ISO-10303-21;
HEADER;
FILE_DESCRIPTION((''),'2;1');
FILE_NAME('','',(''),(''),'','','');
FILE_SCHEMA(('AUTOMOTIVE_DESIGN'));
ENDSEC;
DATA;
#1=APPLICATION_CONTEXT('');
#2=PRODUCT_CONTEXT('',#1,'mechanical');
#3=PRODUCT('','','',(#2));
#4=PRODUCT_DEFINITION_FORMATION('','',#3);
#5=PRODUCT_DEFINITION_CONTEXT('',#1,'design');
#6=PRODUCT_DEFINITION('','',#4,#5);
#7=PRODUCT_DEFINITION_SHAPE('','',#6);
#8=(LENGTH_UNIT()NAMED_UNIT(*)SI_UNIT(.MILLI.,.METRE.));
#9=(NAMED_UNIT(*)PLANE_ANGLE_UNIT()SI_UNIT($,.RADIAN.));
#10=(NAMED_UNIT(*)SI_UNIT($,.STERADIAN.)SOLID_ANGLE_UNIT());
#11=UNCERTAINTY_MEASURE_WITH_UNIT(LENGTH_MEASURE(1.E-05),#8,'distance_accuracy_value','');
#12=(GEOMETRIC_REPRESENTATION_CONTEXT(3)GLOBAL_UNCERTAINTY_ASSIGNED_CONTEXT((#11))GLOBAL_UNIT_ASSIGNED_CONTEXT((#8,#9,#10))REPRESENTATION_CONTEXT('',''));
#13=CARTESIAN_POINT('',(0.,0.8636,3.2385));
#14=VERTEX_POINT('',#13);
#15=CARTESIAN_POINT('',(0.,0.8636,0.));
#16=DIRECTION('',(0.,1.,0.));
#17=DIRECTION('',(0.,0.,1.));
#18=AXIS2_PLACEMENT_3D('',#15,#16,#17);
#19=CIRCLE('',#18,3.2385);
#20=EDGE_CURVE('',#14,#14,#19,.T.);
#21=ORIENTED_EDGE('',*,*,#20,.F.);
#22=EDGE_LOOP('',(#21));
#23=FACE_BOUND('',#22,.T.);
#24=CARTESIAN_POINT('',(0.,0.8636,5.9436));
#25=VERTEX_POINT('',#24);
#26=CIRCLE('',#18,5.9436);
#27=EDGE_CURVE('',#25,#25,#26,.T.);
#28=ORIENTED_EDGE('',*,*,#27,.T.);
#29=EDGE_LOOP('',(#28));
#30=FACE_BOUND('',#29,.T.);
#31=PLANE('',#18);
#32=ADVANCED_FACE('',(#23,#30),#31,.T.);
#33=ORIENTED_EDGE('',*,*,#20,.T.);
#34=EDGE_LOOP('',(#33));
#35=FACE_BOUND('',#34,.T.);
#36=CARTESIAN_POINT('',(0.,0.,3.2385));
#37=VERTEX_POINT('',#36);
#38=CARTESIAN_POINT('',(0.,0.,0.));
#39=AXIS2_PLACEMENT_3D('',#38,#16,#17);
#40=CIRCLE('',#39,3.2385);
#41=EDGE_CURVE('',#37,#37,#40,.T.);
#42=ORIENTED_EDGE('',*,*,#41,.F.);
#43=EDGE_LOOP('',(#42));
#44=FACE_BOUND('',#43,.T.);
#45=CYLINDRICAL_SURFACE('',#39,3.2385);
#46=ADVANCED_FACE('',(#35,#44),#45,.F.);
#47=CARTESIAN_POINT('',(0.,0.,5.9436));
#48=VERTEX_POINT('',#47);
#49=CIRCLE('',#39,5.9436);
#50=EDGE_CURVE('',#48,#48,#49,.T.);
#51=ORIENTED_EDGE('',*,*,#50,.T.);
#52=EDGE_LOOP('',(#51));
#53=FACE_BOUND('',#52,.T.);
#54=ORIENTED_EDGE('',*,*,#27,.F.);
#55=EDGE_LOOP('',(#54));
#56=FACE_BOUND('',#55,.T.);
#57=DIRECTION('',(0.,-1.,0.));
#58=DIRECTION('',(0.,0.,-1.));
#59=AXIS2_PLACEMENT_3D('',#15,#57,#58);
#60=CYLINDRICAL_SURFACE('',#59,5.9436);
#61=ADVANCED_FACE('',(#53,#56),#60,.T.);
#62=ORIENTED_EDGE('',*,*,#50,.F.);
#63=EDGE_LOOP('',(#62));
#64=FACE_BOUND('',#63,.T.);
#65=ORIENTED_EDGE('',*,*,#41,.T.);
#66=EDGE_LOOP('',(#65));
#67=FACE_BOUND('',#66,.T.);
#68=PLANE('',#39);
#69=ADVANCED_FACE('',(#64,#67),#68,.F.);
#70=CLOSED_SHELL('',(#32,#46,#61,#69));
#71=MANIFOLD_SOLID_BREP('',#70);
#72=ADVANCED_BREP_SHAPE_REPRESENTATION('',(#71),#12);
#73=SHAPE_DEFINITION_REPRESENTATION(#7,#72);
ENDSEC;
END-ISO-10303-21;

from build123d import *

# Parameters (mm, degrees)
SKETCH1_R           = 5.9436
BOSS_EXTRUDE1_DEPTH = 0.8636
SKETCH5_R           = 3.2385
CUT_EXTRUDE1_DEPTH  = 1.8636


with BuildPart() as part:
    # Sketch1 → Boss-Extrude1 (new body)
    with BuildSketch(Plane(origin=(0, 0, 0), x_dir=(1, 0, 0), z_dir=(0, 1, 0))):
        Circle(SKETCH1_R)
    extrude(amount=BOSS_EXTRUDE1_DEPTH)

    # Sketch5 → Cut-Extrude1 (cut, through all)
    with BuildSketch(Plane(origin=(0, 0.8636, 0), x_dir=(-1, 0, 0), z_dir=(0, 1, 0))):
        Circle(SKETCH5_R)
    extrude(amount=-CUT_EXTRUDE1_DEPTH, mode=Mode.SUBTRACT)


solid = part.part
